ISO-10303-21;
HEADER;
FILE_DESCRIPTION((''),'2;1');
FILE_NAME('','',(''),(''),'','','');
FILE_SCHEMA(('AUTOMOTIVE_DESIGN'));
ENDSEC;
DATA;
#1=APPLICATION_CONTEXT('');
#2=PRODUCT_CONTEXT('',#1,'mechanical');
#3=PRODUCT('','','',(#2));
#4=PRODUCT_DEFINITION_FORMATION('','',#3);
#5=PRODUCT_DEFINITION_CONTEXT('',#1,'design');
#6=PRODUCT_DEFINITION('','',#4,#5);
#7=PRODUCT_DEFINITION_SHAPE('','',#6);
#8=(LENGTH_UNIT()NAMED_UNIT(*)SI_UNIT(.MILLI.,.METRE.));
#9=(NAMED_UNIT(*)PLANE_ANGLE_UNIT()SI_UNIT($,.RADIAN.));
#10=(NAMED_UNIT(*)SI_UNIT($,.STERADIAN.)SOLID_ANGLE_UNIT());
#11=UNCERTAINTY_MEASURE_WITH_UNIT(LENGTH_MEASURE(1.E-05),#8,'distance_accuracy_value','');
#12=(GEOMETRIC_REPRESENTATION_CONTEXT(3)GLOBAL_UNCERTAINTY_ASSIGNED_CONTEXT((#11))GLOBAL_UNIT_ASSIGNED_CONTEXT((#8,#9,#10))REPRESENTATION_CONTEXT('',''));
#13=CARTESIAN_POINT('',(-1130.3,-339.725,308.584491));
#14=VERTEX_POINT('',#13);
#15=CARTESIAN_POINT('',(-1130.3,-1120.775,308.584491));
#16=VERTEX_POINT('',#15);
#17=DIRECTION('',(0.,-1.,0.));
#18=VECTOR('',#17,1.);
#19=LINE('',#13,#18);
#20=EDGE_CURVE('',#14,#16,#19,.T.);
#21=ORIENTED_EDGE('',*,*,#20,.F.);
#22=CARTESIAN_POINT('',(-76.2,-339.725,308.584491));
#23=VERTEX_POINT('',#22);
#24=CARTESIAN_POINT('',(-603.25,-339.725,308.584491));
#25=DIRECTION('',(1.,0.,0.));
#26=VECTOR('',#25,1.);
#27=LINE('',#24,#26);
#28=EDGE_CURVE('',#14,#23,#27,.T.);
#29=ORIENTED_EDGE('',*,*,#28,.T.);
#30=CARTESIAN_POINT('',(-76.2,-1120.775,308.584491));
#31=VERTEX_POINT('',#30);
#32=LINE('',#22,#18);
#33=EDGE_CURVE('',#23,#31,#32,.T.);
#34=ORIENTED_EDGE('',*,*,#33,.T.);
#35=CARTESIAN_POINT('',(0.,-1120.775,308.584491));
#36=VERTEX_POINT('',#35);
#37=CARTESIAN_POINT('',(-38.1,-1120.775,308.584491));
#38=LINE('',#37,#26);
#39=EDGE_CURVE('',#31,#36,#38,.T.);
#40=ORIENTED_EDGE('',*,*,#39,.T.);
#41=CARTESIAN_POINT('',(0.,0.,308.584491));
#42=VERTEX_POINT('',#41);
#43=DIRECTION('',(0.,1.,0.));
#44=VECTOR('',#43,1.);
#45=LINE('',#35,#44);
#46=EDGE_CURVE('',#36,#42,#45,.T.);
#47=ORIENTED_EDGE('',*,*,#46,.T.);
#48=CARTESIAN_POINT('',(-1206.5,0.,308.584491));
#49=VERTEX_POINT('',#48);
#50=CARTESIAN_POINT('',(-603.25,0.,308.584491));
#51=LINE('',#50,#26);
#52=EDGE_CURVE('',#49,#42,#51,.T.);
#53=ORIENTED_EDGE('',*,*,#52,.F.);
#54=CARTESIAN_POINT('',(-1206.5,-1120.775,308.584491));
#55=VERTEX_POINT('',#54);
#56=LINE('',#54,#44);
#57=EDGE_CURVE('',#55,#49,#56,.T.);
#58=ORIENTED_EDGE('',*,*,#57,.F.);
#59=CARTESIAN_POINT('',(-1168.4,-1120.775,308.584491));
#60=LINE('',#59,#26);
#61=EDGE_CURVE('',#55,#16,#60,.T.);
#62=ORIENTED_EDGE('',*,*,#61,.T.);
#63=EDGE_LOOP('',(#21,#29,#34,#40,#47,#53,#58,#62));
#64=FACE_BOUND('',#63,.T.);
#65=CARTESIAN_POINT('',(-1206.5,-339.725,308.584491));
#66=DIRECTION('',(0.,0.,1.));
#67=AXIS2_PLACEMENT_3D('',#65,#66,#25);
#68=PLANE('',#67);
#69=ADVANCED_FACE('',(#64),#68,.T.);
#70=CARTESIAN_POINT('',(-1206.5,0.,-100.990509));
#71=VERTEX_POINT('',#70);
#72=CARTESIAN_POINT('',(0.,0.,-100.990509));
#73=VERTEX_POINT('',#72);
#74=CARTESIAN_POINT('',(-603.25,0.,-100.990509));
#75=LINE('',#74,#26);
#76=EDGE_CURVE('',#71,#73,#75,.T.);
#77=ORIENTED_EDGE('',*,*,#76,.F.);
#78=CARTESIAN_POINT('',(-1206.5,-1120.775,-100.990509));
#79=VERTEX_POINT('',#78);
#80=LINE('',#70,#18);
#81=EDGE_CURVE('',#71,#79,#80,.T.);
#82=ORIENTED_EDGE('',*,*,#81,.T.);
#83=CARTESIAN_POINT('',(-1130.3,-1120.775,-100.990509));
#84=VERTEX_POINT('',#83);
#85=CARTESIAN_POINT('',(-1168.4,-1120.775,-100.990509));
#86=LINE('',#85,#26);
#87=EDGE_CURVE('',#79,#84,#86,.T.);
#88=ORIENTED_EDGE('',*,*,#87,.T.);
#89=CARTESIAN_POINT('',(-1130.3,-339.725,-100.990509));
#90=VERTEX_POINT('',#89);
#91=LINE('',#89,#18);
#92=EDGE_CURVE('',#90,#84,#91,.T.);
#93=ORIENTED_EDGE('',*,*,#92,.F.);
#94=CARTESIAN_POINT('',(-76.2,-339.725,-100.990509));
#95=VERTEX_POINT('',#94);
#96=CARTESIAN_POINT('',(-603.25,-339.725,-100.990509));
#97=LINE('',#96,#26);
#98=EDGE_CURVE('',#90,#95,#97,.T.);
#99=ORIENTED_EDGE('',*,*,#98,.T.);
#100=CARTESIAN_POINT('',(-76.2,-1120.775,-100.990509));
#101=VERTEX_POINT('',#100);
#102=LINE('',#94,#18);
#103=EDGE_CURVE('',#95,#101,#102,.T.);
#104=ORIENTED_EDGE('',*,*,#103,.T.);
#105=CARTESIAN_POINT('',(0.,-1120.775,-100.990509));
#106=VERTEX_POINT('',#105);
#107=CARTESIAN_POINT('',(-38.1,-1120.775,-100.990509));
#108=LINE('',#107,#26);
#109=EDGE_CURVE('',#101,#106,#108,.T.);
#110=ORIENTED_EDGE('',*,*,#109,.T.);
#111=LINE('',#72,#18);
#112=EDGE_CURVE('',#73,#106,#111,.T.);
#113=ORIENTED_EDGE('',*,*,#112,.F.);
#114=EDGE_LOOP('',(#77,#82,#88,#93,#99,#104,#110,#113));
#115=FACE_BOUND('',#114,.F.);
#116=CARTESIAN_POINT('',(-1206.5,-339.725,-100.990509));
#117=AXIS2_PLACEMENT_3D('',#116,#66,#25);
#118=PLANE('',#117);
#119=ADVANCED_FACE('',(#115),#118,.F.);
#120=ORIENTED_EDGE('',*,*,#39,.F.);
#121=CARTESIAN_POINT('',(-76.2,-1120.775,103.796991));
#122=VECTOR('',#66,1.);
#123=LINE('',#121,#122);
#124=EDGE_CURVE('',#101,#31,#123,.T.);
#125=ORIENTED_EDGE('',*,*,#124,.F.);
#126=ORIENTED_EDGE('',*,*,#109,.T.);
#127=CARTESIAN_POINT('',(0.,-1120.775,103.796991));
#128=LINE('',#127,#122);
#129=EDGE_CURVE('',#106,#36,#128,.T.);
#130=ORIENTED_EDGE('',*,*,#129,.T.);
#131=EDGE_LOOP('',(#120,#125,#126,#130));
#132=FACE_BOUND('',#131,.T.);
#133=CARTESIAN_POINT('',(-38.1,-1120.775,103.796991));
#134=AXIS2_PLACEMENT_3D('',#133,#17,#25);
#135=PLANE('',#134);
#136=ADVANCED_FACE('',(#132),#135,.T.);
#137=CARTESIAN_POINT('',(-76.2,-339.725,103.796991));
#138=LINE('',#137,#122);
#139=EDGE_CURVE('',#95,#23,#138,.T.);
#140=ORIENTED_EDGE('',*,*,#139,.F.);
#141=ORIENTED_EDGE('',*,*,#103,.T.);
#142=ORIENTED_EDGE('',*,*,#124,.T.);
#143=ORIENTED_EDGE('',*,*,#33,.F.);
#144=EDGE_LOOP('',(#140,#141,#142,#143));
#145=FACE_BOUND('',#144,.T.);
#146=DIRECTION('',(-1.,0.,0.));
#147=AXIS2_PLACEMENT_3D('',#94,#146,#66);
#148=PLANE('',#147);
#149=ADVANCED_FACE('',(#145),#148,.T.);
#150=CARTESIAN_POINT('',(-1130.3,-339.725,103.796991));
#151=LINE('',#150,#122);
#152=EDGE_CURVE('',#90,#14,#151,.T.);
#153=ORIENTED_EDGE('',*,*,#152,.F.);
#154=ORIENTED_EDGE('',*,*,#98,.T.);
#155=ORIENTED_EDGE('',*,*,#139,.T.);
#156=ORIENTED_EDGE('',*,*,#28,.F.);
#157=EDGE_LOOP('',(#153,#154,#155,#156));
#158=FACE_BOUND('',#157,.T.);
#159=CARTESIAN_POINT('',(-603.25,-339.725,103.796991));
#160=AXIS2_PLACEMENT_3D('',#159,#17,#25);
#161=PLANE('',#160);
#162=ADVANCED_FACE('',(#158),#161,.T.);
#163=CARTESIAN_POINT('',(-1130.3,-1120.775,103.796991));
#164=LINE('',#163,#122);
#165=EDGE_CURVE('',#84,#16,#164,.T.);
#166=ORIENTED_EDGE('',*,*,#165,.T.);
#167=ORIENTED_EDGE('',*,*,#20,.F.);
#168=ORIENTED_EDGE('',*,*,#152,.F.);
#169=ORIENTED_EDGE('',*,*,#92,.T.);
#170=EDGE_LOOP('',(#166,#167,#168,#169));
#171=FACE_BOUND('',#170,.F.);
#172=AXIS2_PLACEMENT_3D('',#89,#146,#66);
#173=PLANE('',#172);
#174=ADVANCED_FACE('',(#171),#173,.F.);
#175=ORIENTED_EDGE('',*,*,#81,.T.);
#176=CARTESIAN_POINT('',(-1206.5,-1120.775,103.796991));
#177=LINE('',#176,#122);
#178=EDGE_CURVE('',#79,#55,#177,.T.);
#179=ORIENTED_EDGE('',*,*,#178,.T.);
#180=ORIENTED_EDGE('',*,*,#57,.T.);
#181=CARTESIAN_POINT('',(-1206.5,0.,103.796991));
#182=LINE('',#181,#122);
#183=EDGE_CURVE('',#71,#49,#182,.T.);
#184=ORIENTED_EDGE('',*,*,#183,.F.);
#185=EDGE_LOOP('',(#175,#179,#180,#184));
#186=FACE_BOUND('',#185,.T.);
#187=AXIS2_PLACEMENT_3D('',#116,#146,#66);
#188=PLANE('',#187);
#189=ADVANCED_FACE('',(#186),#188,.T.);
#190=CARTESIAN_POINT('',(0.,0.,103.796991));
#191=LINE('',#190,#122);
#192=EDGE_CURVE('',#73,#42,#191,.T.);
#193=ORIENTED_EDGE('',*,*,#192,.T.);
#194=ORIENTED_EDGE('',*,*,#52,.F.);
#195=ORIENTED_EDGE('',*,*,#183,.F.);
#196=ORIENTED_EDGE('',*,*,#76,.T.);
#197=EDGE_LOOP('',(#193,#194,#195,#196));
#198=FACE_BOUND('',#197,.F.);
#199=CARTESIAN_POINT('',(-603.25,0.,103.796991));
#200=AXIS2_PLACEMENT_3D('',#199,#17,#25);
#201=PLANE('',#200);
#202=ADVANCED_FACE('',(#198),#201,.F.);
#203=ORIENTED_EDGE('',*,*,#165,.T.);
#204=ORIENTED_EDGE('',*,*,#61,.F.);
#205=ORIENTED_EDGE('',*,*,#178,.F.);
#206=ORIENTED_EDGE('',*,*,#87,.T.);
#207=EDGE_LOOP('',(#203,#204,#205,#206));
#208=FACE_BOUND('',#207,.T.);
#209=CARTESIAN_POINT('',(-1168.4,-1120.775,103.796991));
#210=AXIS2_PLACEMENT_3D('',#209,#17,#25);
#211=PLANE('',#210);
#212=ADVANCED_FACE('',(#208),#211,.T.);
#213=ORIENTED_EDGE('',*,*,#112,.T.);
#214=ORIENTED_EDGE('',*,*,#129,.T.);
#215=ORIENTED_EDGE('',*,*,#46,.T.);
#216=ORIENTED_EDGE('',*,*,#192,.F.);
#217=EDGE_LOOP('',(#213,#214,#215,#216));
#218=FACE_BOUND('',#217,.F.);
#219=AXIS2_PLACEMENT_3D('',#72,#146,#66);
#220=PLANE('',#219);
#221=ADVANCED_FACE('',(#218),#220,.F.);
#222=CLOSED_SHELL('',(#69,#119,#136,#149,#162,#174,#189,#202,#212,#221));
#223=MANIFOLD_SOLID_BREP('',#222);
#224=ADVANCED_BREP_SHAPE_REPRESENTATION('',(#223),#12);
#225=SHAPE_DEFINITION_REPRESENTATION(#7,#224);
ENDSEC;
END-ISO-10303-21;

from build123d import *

# Parameters (mm, degrees)
F0_W     = 1206.5
F0_H     = 409.575
F1_DEPTH = 339.725
F2_W     = 76.2
F2_H     = 409.575
F3_DEPTH = 781.05


with BuildPart() as f1:
    # F0 (on Front) → F1 (new body)
    with BuildSketch(Plane.XZ):
        with Locations((-603.25, 103.796991)):
            Rectangle(F0_W, F0_H)
    extrude(amount=F1_DEPTH)

    # F2 (on face) → F3 (join)
    with BuildSketch(Plane.XZ.offset(339.725)):
        with Locations((-1168.4, 103.796991)):
            Rectangle(F2_W, F2_H)
        with Locations((-38.1, 103.796991)):
            Rectangle(F2_W, F2_H)
    extrude(amount=F3_DEPTH)


solid = f1.part
